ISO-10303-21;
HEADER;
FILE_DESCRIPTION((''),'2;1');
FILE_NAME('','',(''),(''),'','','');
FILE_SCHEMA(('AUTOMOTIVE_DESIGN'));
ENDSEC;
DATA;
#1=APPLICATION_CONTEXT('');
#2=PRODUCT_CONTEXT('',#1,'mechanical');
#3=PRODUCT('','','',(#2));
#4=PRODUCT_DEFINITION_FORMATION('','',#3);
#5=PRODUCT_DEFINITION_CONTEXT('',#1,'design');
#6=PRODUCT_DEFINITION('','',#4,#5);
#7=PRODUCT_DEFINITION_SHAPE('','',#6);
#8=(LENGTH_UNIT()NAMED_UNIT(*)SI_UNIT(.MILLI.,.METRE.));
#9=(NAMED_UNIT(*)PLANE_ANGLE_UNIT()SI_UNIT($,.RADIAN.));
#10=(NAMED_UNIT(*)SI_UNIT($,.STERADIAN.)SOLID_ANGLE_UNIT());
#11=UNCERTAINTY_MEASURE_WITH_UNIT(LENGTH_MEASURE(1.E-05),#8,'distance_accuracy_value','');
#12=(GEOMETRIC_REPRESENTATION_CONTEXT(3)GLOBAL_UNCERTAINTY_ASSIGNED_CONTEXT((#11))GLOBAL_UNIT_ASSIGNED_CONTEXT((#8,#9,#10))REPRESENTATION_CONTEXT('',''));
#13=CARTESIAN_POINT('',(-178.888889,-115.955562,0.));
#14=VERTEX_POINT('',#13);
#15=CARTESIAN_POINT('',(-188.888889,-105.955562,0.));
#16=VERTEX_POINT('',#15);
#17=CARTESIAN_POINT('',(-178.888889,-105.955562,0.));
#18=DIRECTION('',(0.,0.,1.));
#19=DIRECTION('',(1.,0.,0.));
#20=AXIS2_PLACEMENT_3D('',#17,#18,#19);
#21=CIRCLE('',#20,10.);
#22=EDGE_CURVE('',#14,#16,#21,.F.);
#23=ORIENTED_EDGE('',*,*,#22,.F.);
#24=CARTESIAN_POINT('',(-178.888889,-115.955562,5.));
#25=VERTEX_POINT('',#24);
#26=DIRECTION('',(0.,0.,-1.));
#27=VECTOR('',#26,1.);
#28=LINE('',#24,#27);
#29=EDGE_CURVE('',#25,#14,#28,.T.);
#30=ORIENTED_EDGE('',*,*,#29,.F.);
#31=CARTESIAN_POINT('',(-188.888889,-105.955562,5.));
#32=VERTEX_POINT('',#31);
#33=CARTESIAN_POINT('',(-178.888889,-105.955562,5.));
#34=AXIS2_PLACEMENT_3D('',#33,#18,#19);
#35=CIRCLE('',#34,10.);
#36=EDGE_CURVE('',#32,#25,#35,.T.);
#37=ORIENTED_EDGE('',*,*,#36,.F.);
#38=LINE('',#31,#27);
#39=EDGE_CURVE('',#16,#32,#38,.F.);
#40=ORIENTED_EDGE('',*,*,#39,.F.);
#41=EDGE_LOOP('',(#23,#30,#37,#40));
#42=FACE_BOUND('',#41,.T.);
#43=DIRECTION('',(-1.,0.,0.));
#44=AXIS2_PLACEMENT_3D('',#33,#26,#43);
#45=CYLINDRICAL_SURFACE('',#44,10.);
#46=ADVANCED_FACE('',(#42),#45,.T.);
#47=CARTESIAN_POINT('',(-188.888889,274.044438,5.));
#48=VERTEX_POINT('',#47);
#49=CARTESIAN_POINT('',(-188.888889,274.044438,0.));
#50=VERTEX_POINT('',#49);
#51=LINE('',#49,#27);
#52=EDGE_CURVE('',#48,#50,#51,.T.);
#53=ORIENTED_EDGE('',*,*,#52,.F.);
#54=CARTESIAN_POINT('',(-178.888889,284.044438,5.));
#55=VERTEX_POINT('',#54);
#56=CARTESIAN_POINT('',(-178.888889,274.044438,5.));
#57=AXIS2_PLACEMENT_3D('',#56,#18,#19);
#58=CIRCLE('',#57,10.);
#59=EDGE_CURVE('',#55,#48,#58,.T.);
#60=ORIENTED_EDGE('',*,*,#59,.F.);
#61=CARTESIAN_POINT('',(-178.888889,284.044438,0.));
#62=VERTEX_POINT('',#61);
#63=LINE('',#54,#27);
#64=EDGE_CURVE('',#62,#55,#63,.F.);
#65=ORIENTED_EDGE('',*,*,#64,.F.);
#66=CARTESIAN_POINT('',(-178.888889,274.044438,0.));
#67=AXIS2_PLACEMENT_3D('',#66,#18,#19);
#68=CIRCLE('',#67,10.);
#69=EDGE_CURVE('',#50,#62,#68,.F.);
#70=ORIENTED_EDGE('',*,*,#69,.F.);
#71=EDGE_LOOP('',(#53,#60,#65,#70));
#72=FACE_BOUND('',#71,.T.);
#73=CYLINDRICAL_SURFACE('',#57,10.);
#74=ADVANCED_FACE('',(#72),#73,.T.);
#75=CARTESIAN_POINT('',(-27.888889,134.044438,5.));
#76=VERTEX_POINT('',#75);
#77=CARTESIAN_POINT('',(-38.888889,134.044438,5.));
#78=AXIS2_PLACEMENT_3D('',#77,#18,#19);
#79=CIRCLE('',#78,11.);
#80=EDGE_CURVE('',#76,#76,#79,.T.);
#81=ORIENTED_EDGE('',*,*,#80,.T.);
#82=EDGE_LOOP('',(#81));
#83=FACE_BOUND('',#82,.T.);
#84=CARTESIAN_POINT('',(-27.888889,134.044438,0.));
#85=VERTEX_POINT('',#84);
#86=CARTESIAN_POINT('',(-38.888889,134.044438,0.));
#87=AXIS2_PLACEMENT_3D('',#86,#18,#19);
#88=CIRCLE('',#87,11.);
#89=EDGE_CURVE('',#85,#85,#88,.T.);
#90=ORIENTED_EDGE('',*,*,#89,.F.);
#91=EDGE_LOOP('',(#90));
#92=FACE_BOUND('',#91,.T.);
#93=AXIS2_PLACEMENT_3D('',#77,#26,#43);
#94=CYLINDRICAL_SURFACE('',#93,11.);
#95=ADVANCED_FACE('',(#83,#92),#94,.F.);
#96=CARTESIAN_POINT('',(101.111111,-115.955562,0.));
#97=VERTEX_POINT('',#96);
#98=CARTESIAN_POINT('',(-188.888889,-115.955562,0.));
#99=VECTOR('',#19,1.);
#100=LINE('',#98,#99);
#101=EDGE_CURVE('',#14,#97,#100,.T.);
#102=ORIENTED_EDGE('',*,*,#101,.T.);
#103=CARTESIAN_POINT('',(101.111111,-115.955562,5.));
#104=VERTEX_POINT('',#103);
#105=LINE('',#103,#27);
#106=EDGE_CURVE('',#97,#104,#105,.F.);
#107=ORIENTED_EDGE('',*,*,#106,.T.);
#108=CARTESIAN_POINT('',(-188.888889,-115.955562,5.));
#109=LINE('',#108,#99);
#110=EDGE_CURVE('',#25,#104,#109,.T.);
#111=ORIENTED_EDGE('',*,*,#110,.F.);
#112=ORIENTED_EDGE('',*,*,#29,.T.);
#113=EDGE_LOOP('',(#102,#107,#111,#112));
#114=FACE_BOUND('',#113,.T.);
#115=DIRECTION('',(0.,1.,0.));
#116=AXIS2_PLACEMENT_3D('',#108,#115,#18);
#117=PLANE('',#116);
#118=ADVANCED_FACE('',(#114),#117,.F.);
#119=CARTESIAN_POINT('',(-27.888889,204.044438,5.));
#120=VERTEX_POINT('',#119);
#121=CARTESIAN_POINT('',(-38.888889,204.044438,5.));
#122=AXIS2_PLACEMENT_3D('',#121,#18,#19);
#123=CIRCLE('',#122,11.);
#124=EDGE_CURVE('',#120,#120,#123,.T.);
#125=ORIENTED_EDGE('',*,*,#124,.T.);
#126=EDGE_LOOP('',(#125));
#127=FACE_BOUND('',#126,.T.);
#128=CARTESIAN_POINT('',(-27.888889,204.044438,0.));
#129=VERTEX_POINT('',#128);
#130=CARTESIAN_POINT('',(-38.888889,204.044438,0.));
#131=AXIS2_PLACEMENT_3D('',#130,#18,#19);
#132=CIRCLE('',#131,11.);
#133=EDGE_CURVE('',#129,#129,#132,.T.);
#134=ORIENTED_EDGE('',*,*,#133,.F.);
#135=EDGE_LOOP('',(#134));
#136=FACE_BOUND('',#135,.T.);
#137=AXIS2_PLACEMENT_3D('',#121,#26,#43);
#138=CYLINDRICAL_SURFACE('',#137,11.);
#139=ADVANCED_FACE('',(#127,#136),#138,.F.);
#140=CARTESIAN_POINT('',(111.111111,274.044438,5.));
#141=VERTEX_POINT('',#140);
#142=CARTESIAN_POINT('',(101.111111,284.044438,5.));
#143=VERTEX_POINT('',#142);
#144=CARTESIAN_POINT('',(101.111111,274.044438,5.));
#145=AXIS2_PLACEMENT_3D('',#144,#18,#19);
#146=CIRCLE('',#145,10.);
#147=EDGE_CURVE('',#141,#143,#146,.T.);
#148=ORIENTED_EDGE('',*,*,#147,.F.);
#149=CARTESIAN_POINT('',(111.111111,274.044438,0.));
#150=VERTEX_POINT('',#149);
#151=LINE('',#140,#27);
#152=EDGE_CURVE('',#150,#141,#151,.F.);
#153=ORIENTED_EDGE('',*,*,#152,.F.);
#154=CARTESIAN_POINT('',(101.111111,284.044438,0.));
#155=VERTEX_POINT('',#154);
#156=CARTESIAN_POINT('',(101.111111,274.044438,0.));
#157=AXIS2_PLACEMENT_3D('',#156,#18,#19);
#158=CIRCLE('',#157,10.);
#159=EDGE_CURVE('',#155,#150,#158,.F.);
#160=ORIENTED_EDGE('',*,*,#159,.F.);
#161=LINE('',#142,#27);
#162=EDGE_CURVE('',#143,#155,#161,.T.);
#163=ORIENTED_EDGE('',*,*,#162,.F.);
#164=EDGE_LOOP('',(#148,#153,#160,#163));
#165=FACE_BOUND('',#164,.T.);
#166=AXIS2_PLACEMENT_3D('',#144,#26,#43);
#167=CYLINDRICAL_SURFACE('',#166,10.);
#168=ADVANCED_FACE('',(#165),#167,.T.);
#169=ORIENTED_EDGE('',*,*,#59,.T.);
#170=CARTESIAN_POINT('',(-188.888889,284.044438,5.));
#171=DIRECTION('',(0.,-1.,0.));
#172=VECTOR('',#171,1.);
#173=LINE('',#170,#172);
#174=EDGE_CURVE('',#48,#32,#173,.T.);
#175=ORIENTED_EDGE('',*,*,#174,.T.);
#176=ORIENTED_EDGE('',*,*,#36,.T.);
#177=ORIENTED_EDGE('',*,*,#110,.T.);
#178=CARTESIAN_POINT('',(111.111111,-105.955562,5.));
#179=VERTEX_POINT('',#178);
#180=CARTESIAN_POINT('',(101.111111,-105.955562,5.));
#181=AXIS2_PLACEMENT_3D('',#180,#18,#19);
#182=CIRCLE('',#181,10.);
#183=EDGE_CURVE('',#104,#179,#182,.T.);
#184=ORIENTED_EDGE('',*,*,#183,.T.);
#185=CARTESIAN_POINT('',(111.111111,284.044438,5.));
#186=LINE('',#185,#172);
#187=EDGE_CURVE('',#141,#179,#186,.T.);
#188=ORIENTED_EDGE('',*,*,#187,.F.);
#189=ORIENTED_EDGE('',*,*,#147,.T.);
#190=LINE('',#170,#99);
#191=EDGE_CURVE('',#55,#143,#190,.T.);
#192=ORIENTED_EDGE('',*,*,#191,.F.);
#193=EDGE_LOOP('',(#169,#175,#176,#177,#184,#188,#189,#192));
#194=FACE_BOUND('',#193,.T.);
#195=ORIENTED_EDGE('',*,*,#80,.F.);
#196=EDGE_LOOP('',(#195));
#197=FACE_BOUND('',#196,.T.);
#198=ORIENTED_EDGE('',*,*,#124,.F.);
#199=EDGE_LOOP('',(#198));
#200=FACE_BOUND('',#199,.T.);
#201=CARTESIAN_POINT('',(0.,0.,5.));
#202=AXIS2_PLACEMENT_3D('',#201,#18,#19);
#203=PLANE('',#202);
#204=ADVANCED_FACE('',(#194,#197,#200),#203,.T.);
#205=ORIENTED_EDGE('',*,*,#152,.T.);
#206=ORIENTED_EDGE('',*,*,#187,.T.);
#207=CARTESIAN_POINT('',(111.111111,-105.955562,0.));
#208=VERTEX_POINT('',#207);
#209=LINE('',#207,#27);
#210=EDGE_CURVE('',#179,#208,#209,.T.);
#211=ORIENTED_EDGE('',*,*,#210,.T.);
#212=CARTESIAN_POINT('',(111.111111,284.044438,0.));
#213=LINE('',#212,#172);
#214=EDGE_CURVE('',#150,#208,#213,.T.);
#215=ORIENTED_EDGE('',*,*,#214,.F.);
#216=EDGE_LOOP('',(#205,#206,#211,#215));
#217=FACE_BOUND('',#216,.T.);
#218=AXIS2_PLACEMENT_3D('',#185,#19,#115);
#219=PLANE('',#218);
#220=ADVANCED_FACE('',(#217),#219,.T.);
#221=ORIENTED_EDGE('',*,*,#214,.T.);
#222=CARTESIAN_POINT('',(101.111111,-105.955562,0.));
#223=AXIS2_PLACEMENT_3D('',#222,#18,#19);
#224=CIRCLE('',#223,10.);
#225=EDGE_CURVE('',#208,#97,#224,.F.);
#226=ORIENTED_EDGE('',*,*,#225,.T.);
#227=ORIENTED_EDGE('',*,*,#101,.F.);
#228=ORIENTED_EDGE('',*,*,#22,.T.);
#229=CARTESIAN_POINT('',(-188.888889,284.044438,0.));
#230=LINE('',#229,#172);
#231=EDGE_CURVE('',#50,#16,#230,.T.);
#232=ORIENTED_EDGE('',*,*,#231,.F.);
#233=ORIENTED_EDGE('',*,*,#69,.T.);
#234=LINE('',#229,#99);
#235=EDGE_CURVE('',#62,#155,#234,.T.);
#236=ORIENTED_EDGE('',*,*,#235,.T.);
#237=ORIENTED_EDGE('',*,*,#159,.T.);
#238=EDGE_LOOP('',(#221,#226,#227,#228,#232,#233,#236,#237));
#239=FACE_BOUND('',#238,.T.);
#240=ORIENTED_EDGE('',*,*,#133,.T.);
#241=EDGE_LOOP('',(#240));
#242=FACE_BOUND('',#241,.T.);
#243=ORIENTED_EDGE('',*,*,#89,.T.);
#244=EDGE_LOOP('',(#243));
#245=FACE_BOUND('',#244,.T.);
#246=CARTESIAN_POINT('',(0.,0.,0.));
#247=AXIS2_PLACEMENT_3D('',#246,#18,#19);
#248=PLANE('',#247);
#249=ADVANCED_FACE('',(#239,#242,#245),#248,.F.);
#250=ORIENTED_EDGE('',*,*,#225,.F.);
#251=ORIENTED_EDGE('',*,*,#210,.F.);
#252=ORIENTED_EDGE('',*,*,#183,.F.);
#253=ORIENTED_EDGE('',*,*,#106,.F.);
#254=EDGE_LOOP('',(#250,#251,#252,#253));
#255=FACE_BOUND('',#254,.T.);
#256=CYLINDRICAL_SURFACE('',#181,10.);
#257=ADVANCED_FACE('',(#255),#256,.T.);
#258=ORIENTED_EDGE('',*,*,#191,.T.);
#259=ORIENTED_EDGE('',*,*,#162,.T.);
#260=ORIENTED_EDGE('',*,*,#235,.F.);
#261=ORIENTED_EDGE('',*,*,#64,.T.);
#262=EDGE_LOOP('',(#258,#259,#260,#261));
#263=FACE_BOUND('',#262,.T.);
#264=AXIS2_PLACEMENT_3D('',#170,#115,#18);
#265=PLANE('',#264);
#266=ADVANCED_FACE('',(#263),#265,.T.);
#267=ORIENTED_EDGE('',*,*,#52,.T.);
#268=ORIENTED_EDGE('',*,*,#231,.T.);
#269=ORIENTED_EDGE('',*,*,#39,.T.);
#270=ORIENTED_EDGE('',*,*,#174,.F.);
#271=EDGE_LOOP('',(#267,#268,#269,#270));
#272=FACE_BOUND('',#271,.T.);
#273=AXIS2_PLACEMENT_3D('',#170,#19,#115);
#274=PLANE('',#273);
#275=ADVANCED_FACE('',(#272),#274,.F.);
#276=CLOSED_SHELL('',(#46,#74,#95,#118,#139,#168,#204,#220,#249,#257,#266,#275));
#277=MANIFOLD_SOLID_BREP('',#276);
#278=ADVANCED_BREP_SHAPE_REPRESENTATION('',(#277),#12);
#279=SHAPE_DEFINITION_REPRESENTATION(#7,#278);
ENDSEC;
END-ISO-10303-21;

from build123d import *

# Parameters (mm, degrees)
SKETCH_1_W          = 300
SKETCH_1_H          = 400
EXTRUDE_1_DEPTH     = 5
FILLET_1_R          = 10
SKETCH_2_R          = 11
CUT_EXTRUDE_3_DEPTH = 5


with BuildPart() as part:
    # 草图1 → 凸台-拉伸1 (new body)
    with BuildSketch(Plane.XY):
        with Locations((-38.888888889, 84.044438104)):
            Rectangle(SKETCH_1_W, SKETCH_1_H)
    extrude(amount=EXTRUDE_1_DEPTH)

    # 圆角1
    fillet_1_edges = [part.edges().sort_by_distance(p)[0] for p in [
        (-188.888888889, 284.044438104, 2.5),
        (111.111111111, 284.044438104, 2.5),
        (111.111111111, -115.955561896, 2.5),
        (-188.888888889, -115.955561896, 2.5),
    ]]
    fillet(fillet_1_edges, radius=FILLET_1_R)

    # 草图2 → 切除-拉伸3 (cut)
    with BuildSketch(Plane.XY):
        with Locations((-38.888888889, 204.044438104)):
            Circle(SKETCH_2_R)
        with Locations((-38.888888889, 134.044438104)):
            Circle(SKETCH_2_R)
    extrude(amount=CUT_EXTRUDE_3_DEPTH, mode=Mode.SUBTRACT)


solid = part.part
